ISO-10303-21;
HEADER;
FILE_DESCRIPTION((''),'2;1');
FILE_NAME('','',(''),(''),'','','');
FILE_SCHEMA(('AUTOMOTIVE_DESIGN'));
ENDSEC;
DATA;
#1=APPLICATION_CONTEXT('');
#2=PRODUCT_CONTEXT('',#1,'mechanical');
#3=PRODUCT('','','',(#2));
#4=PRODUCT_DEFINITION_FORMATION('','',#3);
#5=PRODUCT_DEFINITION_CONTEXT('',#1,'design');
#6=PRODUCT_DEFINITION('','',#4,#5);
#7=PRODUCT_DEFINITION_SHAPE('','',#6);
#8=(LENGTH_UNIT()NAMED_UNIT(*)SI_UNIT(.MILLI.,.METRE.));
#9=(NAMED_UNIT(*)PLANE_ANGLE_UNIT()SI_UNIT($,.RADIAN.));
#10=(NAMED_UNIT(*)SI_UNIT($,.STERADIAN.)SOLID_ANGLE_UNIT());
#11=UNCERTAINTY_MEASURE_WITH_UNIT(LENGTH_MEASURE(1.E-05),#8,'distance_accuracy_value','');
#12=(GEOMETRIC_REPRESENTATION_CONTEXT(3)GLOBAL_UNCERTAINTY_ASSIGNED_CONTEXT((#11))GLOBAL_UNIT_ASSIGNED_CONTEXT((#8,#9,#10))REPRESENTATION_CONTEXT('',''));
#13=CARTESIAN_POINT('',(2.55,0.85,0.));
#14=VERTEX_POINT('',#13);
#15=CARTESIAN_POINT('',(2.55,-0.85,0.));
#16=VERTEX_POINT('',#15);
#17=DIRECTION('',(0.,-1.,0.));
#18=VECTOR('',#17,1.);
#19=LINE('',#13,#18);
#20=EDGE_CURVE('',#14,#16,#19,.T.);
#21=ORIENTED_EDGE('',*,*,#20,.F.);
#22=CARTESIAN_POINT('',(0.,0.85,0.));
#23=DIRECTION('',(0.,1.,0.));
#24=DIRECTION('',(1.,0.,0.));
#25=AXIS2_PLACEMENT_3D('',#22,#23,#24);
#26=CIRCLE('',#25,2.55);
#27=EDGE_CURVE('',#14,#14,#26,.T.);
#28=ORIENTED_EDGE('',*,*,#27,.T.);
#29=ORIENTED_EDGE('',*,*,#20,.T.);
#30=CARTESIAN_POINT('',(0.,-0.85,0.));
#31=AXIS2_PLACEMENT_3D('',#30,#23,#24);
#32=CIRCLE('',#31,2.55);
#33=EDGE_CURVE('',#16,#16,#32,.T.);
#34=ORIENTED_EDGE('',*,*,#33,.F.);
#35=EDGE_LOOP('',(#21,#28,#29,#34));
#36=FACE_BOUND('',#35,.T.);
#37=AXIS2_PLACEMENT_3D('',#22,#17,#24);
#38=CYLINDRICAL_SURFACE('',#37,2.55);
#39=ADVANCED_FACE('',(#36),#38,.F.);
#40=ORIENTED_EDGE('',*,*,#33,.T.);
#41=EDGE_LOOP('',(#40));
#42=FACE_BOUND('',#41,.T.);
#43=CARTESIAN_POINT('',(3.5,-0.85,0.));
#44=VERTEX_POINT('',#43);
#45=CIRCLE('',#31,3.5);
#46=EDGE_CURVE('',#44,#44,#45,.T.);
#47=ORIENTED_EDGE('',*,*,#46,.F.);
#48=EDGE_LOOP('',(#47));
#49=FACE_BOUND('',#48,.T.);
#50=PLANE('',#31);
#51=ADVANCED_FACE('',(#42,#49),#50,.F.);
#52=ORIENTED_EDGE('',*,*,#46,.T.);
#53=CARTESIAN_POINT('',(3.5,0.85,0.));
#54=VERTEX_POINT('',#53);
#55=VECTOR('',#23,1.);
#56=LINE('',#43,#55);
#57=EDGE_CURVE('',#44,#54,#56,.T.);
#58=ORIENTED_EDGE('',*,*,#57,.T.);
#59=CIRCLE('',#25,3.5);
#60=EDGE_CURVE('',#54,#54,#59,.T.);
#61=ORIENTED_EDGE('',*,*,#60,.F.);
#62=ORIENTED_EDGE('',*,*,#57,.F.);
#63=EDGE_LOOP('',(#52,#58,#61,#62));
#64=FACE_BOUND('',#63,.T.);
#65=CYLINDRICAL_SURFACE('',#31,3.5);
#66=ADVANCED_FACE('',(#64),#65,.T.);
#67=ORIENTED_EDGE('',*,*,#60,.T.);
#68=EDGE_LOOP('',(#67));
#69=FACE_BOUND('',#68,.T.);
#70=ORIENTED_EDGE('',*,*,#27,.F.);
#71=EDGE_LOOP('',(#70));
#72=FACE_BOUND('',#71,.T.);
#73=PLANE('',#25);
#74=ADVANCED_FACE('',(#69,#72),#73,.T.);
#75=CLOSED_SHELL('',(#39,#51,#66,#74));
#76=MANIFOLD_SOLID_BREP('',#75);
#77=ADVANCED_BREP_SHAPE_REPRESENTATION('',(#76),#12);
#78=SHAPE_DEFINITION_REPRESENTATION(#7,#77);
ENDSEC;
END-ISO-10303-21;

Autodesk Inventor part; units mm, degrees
ref_plane "YZ Plane" through (0, 0, 0) normal (1, 0, 0) x (0, 1, 0)
ref_plane "XZ Plane" through (0, 0, 0) normal (0, 1, 0) x (-1, 0, 0)
ref_plane "XY Plane" through (0, 0, 0) normal (0, 0, 1) x (1, 0, 0)
sketch "スケッチ1" plane through (0, 0, 0) normal (0, 0, 1) x (1, 0, 0)
  line L0 (2.55, 0.85) -> (2.55, -0.85)
  line L1 (2.55, -0.85) -> (3.5, -0.85)
  line L2 (3.5, -0.85) -> (3.5, 0.85)
  line L3 (3.5, 0.85) -> (2.55, 0.85)
  line L4 (0, -1.19) -> (0, 1.19) projected
  point P0 (0, 0)
  point P1 (2.55, 0)
  dimension "d0" = 2.55
  dimension "d3" = 3.5
  dimension "d4" = 1.7
revolve "回転1" add sketch "スケッチ1" angle 360 about axis through (0, -10, 0) along (0, 1, 0)
properties part number "膝_同軸_スペーサ_1_1" material "アルミニウム 2014-T4"
